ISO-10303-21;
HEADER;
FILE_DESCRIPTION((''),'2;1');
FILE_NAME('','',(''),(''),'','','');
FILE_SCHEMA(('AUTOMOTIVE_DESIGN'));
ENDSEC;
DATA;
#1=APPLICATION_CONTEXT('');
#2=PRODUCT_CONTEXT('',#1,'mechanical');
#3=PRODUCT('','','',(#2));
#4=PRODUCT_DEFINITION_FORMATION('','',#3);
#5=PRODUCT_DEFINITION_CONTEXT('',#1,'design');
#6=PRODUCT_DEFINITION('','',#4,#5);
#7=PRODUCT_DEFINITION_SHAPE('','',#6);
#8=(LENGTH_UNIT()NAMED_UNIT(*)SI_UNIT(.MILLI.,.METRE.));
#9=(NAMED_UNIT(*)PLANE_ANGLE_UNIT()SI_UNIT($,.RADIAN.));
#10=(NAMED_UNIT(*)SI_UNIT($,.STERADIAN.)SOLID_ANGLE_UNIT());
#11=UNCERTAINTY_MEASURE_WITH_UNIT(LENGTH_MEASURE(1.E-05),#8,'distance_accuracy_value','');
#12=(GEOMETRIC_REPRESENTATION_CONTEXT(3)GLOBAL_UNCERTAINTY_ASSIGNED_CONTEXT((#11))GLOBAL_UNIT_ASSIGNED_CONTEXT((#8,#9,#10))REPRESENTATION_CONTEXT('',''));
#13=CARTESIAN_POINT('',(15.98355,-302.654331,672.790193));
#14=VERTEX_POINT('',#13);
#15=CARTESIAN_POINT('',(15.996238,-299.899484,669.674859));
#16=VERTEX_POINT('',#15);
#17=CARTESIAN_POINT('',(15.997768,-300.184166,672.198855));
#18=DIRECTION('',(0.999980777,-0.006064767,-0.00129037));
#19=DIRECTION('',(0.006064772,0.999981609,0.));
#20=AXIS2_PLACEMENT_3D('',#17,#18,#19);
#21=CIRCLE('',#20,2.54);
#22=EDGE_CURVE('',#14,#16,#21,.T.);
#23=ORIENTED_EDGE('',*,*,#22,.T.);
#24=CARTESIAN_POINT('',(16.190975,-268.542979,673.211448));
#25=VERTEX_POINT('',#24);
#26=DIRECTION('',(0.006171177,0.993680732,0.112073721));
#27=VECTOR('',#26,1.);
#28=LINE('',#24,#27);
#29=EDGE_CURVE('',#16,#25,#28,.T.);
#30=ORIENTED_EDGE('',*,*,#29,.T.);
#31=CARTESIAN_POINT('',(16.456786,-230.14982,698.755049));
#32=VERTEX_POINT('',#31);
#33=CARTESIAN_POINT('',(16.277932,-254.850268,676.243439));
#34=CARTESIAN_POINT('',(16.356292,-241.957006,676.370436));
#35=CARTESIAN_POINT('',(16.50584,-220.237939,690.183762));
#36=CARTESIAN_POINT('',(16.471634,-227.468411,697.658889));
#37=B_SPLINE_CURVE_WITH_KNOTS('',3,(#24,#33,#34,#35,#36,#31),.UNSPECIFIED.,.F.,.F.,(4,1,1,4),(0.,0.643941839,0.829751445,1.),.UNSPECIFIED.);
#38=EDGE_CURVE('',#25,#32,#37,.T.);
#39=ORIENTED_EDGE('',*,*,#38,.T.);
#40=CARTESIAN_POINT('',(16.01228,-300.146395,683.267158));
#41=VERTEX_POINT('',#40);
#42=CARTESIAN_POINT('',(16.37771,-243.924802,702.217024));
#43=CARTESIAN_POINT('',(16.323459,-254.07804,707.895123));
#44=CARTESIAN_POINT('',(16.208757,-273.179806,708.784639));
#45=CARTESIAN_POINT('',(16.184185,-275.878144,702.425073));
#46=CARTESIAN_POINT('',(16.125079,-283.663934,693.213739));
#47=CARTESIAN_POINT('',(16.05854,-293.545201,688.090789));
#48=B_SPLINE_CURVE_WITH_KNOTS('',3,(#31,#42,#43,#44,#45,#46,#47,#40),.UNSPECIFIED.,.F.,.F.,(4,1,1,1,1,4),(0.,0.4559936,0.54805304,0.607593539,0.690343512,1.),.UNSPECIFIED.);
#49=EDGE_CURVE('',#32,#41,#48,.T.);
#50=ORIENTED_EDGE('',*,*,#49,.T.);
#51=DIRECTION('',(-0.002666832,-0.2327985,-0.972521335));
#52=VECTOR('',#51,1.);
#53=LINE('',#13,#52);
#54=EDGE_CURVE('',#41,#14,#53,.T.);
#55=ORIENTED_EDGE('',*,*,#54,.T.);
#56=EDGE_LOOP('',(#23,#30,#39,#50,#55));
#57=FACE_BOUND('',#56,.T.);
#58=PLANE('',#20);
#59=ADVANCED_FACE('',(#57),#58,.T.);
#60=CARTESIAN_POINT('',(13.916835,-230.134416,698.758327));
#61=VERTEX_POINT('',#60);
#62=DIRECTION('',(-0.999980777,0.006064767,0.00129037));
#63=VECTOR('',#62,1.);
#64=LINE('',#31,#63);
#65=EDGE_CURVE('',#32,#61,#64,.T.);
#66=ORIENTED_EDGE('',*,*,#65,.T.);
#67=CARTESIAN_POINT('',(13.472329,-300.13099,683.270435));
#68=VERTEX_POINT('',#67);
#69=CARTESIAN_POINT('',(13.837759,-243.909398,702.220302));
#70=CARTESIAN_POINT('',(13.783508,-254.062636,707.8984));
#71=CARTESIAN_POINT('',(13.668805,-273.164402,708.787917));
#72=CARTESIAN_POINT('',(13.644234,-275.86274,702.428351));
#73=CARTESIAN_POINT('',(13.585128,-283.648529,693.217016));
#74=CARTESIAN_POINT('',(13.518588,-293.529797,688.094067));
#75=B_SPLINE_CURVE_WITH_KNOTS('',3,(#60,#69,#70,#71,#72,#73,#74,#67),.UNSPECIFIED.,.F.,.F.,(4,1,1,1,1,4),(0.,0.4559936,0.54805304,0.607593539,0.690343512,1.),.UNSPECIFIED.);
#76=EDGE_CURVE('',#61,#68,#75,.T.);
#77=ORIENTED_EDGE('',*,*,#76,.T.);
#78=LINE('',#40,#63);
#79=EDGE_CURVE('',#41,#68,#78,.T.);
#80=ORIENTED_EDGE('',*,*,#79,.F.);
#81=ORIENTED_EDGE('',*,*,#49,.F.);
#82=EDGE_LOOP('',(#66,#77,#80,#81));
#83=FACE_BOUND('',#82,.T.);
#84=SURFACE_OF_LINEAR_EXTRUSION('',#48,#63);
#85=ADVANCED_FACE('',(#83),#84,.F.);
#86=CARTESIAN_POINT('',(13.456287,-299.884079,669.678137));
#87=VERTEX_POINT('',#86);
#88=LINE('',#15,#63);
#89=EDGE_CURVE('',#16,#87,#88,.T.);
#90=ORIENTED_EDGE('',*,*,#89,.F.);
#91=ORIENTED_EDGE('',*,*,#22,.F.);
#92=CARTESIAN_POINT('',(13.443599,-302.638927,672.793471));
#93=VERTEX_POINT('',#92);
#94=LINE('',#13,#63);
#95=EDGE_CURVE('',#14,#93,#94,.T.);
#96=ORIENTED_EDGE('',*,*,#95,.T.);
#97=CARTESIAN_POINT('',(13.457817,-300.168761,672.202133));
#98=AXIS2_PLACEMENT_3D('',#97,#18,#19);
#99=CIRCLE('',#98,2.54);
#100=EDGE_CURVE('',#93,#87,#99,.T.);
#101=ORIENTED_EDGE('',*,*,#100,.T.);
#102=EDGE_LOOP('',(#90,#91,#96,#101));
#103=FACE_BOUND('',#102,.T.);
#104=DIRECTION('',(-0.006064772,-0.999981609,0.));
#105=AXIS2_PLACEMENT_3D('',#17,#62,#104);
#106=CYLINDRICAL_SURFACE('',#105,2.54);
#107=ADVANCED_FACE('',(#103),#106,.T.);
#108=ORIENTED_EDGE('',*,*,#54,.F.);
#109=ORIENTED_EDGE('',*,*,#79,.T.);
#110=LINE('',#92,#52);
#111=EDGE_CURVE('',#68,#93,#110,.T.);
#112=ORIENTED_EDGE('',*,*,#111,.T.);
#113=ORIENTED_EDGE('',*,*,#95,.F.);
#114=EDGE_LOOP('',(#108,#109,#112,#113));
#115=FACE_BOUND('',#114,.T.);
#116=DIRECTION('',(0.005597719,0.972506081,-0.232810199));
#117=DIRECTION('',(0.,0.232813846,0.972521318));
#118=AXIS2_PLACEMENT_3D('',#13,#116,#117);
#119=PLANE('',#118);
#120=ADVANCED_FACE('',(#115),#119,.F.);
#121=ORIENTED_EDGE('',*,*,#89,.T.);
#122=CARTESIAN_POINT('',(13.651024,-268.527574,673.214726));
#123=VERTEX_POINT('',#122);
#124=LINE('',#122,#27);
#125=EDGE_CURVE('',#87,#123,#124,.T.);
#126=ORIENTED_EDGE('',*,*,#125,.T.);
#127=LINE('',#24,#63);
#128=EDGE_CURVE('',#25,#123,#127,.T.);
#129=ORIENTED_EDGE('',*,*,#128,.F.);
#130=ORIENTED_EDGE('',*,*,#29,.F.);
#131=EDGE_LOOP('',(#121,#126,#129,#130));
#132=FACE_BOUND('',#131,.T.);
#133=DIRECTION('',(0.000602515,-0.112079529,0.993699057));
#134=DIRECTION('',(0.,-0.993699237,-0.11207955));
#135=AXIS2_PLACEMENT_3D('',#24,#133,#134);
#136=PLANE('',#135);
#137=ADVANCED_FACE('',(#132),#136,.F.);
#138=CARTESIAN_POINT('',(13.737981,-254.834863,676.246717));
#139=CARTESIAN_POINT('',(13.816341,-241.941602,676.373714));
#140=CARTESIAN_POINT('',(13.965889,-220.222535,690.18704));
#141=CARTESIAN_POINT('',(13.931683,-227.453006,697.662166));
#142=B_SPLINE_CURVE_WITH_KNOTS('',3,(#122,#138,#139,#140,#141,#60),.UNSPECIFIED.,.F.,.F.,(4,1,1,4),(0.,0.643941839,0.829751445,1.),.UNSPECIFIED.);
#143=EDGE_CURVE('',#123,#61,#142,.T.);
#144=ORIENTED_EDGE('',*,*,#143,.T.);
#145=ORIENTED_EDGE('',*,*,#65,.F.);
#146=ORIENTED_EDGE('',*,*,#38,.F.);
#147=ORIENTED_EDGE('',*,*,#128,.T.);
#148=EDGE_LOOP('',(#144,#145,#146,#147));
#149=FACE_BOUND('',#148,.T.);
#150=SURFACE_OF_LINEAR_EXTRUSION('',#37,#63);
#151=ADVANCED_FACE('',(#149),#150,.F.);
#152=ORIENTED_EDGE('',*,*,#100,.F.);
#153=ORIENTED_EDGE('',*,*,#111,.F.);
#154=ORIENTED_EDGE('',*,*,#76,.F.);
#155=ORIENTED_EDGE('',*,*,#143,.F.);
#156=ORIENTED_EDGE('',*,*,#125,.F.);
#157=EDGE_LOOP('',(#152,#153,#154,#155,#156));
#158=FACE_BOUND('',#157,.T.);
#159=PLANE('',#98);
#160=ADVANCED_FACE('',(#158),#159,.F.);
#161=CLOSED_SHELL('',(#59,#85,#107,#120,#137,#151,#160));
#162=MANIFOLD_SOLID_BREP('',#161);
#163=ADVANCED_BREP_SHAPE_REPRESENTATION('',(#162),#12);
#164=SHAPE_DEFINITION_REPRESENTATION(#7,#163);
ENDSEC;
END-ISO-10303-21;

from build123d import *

# Parameters (mm, degrees)
BOSS_EXTRUDE1_DEPTH = 2.54


with BuildPart() as part:
    # Sketch4 → Boss-Extrude1 (new body)
    with BuildSketch(Plane(origin=(14.410345648, -0.087397068, -0.018595031), x_dir=(-0.0012903459702674255, 7.825798046814508e-06, -0.9999991674726704), z_dir=(0.9999807765891038, -0.00606476696064792, -0.0012903697013261176))):
        with BuildLine():
            Line((-673.23388139, -268.439845584), (-669.697289611, -299.796954957))
            ThreePointArc((-669.697289611, -299.796954957), (-670.538692498, -301.984376941), (-672.812625714, -302.55182869))
            Line((-672.812625714, -302.55182869), (-683.289599108, -300.043764168))
            add(Edge.make_bspline(
                [(-698.777503586, -230.045780827), (-702.239481244, -243.820989149), (-707.91758462, -253.974369427), (-708.807101651, -273.076479743), (-702.447530567, -275.77491742), (-693.236188435, -283.560922076), (-688.113234863, -293.442411233), (-683.289599108, -300.043764168)],
                knots=[0, 0, 0, 0, 0.4559936, 0.54805304, 0.607593539, 0.690343512, 1, 1, 1, 1], degree=3))
            add(Edge.make_bspline(
                [(-698.777503586, -230.045780827), (-697.681342144, -227.364330807), (-690.206209311, -220.133784938), (-676.392871954, -241.853359273), (-676.265874744, -254.746858664), (-673.23388139, -268.439845584)],
                knots=[0, 0, 0, 0, 0.170248555, 0.356058161, 1, 1, 1, 1], degree=3))
        make_face()
    extrude(amount=BOSS_EXTRUDE1_DEPTH)


solid = part.part
